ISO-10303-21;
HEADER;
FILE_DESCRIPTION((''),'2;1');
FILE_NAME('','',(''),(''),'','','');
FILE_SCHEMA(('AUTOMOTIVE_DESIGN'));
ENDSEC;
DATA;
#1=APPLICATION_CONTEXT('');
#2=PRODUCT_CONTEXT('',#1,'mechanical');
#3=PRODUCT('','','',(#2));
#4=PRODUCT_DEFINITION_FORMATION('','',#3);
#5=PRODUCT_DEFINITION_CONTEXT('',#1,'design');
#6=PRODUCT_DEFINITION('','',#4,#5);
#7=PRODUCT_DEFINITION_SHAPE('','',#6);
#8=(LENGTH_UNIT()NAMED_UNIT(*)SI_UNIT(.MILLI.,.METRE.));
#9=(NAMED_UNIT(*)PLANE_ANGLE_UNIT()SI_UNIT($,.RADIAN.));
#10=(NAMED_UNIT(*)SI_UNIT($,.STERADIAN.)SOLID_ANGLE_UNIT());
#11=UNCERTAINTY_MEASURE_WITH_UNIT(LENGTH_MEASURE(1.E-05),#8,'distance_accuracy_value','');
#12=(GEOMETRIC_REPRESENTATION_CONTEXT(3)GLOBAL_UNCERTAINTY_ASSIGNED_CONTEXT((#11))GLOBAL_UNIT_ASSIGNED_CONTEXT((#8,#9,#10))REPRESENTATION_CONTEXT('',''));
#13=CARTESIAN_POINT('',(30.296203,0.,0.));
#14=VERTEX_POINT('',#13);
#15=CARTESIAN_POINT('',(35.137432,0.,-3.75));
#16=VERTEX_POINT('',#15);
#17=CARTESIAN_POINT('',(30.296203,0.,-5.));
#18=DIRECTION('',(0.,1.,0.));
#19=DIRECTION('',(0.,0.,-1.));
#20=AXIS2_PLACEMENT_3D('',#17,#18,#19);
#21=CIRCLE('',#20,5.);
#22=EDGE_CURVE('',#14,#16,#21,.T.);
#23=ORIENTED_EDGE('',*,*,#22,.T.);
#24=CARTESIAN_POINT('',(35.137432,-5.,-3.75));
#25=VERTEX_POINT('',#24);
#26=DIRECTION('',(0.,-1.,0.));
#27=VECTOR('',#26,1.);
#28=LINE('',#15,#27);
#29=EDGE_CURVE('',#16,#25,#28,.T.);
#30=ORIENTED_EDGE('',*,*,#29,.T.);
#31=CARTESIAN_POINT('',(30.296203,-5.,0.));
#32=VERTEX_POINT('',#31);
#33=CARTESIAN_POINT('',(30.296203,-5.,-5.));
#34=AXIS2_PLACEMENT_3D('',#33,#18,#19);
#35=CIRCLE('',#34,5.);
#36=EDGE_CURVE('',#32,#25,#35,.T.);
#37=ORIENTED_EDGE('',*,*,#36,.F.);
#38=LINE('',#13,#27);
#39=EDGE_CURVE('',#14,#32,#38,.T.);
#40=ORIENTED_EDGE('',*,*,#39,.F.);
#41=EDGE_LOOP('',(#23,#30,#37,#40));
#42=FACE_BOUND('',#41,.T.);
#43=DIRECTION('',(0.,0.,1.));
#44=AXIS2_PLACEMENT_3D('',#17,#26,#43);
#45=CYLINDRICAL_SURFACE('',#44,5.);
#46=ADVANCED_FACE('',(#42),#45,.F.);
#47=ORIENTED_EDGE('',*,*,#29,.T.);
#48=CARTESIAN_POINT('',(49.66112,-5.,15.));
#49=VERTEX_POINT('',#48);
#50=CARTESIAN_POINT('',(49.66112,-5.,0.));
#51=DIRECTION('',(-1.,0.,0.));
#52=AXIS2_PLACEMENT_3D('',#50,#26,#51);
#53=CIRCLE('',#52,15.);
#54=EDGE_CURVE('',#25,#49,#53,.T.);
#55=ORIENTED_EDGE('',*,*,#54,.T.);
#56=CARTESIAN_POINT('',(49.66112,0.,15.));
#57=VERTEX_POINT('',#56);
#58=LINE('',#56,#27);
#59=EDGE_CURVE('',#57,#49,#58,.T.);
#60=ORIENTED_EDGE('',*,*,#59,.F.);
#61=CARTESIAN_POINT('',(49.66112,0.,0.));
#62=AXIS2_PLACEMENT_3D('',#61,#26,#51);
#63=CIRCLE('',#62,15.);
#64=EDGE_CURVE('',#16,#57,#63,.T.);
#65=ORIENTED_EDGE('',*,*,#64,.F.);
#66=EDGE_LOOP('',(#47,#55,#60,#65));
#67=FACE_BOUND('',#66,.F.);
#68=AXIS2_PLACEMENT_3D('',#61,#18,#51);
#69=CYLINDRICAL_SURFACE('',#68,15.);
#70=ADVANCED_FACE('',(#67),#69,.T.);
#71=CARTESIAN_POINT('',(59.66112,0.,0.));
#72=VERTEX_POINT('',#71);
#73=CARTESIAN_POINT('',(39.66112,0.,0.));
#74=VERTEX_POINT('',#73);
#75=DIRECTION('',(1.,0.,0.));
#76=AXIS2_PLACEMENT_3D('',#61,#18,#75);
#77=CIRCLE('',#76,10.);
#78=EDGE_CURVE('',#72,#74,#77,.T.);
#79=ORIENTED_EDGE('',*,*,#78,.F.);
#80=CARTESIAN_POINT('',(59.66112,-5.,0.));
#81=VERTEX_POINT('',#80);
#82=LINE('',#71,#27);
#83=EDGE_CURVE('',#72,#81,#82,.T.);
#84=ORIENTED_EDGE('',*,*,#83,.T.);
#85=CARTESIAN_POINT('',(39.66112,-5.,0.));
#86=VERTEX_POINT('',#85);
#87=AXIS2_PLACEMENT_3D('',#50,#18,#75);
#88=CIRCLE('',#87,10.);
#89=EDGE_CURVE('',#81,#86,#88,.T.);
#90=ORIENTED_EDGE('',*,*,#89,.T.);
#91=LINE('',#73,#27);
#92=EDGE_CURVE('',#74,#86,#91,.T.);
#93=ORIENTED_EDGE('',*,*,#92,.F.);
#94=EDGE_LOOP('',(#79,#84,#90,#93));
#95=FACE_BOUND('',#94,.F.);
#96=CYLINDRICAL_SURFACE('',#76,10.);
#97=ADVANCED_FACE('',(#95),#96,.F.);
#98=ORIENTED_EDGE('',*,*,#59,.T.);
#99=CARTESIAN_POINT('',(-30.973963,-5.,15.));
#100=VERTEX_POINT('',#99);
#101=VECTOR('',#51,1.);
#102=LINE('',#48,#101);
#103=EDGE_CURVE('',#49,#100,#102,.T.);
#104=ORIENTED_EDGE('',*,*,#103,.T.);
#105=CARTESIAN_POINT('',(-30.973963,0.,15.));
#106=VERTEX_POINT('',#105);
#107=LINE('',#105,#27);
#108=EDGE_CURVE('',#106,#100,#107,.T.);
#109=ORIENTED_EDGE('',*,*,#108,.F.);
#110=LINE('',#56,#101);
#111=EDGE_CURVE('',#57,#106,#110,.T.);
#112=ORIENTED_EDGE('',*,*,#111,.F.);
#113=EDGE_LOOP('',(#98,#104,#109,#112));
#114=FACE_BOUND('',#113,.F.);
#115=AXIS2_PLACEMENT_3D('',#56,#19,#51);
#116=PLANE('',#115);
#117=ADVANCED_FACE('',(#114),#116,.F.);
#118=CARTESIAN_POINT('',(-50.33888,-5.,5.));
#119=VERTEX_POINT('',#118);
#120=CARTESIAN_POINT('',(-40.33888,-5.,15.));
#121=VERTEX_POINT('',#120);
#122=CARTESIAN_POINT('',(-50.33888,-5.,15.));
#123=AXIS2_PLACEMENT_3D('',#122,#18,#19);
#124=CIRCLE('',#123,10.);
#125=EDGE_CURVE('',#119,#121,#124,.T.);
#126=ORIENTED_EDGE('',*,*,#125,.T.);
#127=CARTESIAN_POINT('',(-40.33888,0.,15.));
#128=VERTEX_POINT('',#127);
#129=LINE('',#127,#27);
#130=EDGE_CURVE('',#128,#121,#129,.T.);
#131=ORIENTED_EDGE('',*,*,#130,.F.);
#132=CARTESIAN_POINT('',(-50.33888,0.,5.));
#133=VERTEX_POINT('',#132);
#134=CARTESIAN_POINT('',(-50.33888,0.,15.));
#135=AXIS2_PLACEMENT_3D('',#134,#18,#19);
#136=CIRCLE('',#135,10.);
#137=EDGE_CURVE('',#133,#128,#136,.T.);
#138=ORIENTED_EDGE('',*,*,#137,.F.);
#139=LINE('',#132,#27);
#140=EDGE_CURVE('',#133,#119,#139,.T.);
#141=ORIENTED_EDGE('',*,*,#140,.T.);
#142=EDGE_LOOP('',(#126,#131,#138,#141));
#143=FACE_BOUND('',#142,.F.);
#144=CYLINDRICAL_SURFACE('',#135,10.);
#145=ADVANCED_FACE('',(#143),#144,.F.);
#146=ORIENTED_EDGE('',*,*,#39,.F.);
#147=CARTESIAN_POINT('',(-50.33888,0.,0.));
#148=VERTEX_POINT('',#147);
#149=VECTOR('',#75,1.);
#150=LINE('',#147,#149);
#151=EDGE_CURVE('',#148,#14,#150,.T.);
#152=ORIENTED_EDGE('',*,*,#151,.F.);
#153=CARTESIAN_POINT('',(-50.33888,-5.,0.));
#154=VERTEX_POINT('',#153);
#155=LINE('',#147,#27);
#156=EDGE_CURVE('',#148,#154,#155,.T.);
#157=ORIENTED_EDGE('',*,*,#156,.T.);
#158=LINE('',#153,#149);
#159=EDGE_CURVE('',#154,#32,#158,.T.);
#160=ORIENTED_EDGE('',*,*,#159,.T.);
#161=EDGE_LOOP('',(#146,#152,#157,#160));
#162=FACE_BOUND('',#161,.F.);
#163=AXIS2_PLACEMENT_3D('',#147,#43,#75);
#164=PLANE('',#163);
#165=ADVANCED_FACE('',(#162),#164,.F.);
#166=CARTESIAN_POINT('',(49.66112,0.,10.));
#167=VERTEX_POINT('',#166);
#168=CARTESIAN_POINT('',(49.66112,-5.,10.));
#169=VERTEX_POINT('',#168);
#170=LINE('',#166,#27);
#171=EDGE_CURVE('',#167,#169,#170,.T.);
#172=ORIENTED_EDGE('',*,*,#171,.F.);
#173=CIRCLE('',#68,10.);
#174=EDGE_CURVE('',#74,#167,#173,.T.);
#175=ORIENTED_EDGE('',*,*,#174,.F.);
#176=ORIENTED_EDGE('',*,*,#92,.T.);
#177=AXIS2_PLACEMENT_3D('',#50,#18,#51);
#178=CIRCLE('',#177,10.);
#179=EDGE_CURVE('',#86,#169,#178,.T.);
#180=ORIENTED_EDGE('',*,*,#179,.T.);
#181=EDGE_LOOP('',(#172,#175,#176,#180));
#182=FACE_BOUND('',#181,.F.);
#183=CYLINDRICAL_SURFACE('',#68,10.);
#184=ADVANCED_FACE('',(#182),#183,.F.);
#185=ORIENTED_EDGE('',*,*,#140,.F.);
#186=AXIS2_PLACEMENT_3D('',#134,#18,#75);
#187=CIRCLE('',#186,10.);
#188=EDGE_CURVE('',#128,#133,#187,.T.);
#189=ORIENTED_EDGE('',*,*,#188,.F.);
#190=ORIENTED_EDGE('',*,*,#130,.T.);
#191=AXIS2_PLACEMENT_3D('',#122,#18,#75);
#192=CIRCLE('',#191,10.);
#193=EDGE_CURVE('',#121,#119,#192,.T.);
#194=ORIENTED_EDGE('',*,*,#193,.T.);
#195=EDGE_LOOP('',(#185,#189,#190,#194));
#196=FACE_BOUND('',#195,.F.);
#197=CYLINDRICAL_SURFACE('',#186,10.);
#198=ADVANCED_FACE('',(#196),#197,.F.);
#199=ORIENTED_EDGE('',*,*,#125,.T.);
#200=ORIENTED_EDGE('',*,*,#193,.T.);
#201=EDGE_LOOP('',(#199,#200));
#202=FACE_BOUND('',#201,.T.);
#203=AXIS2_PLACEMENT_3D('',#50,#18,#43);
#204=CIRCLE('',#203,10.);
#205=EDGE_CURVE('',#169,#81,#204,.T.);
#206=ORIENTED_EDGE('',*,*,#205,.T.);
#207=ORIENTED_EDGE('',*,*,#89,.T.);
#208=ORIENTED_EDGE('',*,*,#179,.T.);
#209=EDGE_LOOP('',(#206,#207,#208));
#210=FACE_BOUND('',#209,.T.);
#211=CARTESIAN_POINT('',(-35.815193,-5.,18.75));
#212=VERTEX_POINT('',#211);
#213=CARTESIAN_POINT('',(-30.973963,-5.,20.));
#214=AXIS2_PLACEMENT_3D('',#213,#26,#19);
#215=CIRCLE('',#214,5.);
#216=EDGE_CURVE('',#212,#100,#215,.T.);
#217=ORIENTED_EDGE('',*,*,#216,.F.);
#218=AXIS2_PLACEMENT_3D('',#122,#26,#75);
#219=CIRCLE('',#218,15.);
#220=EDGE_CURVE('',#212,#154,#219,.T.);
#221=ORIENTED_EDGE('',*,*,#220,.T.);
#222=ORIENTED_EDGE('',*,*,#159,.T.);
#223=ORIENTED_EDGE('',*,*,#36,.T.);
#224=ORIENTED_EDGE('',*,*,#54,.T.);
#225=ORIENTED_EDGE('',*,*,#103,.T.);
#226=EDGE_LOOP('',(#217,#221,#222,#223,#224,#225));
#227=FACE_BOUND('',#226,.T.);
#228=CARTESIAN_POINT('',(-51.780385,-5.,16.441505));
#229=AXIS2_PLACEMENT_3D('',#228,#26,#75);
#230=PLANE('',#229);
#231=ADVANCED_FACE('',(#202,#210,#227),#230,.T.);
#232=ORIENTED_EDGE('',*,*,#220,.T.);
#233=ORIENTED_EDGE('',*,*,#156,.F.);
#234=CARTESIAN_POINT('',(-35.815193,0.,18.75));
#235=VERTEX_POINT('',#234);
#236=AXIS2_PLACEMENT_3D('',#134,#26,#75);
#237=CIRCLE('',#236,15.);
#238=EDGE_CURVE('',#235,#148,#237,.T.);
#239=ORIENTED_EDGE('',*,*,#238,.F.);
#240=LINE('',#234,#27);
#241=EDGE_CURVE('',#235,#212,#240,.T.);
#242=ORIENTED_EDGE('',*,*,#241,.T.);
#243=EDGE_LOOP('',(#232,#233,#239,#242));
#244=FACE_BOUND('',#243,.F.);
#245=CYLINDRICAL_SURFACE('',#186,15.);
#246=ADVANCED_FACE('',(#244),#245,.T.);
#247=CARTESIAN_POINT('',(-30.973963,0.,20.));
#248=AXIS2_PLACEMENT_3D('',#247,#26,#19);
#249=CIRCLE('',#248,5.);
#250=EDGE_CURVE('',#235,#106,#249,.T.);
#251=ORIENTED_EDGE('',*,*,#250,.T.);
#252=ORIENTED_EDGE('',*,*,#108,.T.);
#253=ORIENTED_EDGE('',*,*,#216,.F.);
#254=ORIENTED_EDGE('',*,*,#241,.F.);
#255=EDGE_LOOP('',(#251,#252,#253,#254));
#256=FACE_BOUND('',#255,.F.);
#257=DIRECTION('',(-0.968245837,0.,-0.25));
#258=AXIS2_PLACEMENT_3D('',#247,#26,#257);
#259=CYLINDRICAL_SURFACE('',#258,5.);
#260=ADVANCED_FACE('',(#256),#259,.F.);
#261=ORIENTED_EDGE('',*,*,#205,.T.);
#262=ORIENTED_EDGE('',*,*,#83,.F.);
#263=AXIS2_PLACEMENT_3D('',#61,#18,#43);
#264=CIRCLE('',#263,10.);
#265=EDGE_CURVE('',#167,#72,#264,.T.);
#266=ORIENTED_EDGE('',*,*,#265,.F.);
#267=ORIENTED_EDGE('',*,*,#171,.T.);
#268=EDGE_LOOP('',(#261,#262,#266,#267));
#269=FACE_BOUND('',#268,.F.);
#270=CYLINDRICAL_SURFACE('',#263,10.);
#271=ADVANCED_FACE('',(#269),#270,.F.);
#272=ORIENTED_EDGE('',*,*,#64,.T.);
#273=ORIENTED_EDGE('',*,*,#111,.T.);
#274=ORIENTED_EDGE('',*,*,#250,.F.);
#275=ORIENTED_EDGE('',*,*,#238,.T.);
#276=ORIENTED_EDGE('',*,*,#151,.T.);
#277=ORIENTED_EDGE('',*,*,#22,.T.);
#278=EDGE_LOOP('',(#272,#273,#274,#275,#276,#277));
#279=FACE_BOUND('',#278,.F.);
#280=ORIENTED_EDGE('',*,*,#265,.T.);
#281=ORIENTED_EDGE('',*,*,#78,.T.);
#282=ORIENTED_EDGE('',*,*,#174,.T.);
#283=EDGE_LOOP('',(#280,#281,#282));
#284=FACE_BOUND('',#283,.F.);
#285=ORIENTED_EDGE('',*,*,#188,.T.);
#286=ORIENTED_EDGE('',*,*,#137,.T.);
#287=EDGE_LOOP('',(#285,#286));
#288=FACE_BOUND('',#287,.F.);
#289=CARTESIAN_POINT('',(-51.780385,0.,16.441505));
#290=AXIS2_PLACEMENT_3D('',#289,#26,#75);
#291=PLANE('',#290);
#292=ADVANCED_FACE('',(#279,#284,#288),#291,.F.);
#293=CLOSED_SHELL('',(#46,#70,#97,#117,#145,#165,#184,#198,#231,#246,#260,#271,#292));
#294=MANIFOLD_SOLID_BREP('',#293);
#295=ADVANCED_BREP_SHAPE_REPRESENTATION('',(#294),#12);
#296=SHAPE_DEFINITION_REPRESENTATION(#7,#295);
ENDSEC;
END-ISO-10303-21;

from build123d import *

# Parameters (mm, degrees)
F1_DEPTH = 5
F2_R     = 5


with BuildPart() as f1:
    # F0 (on Front) → F1 (new body)
    with BuildSketch(Plane.XZ):
        with BuildLine():
            Line((-40.3388801531, 15), (-35.3388801531, 15))
            ThreePointArc((-35.3388801531, 15), (-60.9454818709, 25.6066017178), (-50.3388801531, 0))
            Line((-50.3388801531, 0), (-50.3388801531, 5))
            ThreePointArc((-50.3388801531, 5), (-57.409947965, 22.0710678119), (-40.3388801531, 15))
        make_face()
        with BuildLine():
            ThreePointArc((34.6611198469, 0), (39.0545181291, 10.6066017178), (49.6611198469, 15))
            Line((49.6611198469, 15), (-35.3388801531, 15))
            ThreePointArc((-35.3388801531, 15), (-39.7322784353, 4.3933982822), (-50.3388801531, 0))
            Line((-50.3388801531, 0), (34.6611198469, 0))
        make_face()
        with BuildLine():
            ThreePointArc((-50.3388801531, 0), (-39.7322784353, 4.3933982822), (-35.3388801531, 15))
            Line((-35.3388801531, 15), (-40.3388801531, 15))
            ThreePointArc((-40.3388801531, 15), (-43.2678123412, 7.9289321881), (-50.3388801531, 5))
            Line((-50.3388801531, 5), (-50.3388801531, 0))
        make_face()
        with BuildLine():
            ThreePointArc((64.6611198469, 0), (60.2677215647, 10.6066017178), (49.6611198469, 15))
            Line((49.6611198469, 15), (49.6611198469, 10))
            ThreePointArc((49.6611198469, 10), (56.7321876588, 7.0710678119), (59.6611198469, 0))
            ThreePointArc((59.6611198469, 0), (49.6611198469, -10), (39.6611198469, 0))
            Line((39.6611198469, 0), (34.6611198469, 0))
            ThreePointArc((34.6611198469, 0), (49.6611198469, -15), (64.6611198469, 0))
        make_face()
        with BuildLine():
            Line((49.6611198469, 10), (49.6611198469, 15))
            ThreePointArc((49.6611198469, 15), (39.0545181291, 10.6066017178), (34.6611198469, 0))
            Line((34.6611198469, 0), (39.6611198469, 0))
            ThreePointArc((39.6611198469, 0), (42.590052035, 7.0710678119), (49.6611198469, 10))
        make_face()
    extrude(amount=F1_DEPTH)

    # F2
    f2_edges = [f1.edges().sort_by_distance(p)[0] for p in [
        (-35.33888, -2.5, 15),
        (34.66112, -2.5, 0),
    ]]
    fillet(f2_edges, radius=F2_R)


solid = f1.part
